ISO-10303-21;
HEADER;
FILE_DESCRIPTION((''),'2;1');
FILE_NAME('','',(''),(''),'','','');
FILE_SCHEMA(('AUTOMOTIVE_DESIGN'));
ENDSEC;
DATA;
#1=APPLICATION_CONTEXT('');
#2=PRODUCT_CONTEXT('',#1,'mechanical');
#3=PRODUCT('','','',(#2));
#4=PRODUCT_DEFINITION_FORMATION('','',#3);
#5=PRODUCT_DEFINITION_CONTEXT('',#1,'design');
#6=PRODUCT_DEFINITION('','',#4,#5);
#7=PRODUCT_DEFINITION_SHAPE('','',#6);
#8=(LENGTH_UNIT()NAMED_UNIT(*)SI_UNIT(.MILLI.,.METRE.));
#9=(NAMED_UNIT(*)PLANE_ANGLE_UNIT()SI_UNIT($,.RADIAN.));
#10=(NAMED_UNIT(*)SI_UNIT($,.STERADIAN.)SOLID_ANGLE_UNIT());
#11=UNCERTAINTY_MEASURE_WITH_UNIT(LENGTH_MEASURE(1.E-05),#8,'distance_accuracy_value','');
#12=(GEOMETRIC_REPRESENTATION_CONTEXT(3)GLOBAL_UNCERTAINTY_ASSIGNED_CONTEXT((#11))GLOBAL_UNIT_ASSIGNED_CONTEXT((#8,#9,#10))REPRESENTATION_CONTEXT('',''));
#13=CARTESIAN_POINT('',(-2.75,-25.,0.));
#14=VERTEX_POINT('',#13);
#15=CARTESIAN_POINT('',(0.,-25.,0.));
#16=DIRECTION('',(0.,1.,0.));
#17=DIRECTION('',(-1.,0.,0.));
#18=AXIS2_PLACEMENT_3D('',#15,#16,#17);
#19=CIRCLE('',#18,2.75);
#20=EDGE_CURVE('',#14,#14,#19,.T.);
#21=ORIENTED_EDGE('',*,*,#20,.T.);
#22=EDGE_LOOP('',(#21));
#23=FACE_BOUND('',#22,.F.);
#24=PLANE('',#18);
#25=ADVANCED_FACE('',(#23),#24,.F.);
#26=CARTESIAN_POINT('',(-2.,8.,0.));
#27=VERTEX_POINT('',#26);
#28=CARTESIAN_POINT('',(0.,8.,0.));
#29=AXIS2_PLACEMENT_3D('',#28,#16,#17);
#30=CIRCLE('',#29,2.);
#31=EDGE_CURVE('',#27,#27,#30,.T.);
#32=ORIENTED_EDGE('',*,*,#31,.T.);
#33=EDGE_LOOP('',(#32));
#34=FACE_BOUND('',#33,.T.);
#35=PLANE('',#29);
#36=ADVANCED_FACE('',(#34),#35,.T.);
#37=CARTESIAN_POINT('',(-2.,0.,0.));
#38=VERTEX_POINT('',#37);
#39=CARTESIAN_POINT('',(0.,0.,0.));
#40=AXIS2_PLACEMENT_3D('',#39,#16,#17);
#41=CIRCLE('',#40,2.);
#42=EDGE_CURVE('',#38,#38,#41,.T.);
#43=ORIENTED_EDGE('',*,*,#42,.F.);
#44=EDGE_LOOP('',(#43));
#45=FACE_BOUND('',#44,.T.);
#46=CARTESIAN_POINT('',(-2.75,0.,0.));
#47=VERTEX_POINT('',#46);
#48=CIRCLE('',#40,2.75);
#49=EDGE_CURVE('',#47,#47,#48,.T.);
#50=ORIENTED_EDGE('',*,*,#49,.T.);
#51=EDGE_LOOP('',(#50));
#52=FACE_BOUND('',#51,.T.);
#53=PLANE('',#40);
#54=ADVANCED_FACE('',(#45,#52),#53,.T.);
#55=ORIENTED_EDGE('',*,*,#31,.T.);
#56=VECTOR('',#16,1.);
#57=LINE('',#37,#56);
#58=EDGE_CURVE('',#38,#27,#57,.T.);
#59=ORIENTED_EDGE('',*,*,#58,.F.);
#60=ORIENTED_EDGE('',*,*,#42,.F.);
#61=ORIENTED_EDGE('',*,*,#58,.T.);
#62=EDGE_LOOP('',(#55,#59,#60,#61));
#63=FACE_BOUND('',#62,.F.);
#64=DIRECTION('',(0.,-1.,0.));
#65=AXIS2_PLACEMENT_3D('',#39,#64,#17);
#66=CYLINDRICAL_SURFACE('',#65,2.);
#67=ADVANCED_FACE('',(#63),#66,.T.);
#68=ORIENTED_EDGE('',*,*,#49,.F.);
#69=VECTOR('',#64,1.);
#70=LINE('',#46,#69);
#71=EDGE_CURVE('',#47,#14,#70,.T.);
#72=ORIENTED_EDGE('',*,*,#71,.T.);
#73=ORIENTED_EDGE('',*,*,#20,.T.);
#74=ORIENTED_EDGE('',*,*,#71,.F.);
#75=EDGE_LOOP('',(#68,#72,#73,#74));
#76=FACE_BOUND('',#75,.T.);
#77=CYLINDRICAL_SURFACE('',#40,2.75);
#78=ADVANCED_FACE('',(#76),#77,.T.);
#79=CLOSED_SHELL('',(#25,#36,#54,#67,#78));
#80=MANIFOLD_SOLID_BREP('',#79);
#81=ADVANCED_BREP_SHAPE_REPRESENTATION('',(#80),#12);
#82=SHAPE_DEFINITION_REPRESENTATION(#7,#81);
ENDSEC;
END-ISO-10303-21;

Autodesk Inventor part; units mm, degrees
ref_plane "YZ Plane" through (0, 0, 0) normal (1, 0, 0) x (0, 1, 0)
ref_plane "XZ Plane" through (0, 0, 0) normal (0, 1, 0) x (-1, 0, 0)
ref_plane "XY Plane" through (0, 0, 0) normal (0, 0, 1) x (1, 0, 0)
sketch "Sketch1" plane through (0, 0, 0) normal (0, 1, 0) x (-1, 0, 0)
  circle A0 centre (0, 0) radius 2.75
  dimension "d0" = 5.5
extrude "Extrusion1" add sketch "Sketch1" against normal blind 25
sketch "Sketch2" plane through (0, 0, 0) normal (0, 1, 0) x (-1, 0, 0)
  circle A0 centre (0, 0) radius 2
  dimension "d3" = 4
extrude "Extrusion2" add sketch "Sketch2" along normal blind 8
thread "Thread1" size "M4x0.7" class "6g" standard "ANSI Metric M Profile" length 6
properties part number "axis5_5" material "Stainless Steel"
